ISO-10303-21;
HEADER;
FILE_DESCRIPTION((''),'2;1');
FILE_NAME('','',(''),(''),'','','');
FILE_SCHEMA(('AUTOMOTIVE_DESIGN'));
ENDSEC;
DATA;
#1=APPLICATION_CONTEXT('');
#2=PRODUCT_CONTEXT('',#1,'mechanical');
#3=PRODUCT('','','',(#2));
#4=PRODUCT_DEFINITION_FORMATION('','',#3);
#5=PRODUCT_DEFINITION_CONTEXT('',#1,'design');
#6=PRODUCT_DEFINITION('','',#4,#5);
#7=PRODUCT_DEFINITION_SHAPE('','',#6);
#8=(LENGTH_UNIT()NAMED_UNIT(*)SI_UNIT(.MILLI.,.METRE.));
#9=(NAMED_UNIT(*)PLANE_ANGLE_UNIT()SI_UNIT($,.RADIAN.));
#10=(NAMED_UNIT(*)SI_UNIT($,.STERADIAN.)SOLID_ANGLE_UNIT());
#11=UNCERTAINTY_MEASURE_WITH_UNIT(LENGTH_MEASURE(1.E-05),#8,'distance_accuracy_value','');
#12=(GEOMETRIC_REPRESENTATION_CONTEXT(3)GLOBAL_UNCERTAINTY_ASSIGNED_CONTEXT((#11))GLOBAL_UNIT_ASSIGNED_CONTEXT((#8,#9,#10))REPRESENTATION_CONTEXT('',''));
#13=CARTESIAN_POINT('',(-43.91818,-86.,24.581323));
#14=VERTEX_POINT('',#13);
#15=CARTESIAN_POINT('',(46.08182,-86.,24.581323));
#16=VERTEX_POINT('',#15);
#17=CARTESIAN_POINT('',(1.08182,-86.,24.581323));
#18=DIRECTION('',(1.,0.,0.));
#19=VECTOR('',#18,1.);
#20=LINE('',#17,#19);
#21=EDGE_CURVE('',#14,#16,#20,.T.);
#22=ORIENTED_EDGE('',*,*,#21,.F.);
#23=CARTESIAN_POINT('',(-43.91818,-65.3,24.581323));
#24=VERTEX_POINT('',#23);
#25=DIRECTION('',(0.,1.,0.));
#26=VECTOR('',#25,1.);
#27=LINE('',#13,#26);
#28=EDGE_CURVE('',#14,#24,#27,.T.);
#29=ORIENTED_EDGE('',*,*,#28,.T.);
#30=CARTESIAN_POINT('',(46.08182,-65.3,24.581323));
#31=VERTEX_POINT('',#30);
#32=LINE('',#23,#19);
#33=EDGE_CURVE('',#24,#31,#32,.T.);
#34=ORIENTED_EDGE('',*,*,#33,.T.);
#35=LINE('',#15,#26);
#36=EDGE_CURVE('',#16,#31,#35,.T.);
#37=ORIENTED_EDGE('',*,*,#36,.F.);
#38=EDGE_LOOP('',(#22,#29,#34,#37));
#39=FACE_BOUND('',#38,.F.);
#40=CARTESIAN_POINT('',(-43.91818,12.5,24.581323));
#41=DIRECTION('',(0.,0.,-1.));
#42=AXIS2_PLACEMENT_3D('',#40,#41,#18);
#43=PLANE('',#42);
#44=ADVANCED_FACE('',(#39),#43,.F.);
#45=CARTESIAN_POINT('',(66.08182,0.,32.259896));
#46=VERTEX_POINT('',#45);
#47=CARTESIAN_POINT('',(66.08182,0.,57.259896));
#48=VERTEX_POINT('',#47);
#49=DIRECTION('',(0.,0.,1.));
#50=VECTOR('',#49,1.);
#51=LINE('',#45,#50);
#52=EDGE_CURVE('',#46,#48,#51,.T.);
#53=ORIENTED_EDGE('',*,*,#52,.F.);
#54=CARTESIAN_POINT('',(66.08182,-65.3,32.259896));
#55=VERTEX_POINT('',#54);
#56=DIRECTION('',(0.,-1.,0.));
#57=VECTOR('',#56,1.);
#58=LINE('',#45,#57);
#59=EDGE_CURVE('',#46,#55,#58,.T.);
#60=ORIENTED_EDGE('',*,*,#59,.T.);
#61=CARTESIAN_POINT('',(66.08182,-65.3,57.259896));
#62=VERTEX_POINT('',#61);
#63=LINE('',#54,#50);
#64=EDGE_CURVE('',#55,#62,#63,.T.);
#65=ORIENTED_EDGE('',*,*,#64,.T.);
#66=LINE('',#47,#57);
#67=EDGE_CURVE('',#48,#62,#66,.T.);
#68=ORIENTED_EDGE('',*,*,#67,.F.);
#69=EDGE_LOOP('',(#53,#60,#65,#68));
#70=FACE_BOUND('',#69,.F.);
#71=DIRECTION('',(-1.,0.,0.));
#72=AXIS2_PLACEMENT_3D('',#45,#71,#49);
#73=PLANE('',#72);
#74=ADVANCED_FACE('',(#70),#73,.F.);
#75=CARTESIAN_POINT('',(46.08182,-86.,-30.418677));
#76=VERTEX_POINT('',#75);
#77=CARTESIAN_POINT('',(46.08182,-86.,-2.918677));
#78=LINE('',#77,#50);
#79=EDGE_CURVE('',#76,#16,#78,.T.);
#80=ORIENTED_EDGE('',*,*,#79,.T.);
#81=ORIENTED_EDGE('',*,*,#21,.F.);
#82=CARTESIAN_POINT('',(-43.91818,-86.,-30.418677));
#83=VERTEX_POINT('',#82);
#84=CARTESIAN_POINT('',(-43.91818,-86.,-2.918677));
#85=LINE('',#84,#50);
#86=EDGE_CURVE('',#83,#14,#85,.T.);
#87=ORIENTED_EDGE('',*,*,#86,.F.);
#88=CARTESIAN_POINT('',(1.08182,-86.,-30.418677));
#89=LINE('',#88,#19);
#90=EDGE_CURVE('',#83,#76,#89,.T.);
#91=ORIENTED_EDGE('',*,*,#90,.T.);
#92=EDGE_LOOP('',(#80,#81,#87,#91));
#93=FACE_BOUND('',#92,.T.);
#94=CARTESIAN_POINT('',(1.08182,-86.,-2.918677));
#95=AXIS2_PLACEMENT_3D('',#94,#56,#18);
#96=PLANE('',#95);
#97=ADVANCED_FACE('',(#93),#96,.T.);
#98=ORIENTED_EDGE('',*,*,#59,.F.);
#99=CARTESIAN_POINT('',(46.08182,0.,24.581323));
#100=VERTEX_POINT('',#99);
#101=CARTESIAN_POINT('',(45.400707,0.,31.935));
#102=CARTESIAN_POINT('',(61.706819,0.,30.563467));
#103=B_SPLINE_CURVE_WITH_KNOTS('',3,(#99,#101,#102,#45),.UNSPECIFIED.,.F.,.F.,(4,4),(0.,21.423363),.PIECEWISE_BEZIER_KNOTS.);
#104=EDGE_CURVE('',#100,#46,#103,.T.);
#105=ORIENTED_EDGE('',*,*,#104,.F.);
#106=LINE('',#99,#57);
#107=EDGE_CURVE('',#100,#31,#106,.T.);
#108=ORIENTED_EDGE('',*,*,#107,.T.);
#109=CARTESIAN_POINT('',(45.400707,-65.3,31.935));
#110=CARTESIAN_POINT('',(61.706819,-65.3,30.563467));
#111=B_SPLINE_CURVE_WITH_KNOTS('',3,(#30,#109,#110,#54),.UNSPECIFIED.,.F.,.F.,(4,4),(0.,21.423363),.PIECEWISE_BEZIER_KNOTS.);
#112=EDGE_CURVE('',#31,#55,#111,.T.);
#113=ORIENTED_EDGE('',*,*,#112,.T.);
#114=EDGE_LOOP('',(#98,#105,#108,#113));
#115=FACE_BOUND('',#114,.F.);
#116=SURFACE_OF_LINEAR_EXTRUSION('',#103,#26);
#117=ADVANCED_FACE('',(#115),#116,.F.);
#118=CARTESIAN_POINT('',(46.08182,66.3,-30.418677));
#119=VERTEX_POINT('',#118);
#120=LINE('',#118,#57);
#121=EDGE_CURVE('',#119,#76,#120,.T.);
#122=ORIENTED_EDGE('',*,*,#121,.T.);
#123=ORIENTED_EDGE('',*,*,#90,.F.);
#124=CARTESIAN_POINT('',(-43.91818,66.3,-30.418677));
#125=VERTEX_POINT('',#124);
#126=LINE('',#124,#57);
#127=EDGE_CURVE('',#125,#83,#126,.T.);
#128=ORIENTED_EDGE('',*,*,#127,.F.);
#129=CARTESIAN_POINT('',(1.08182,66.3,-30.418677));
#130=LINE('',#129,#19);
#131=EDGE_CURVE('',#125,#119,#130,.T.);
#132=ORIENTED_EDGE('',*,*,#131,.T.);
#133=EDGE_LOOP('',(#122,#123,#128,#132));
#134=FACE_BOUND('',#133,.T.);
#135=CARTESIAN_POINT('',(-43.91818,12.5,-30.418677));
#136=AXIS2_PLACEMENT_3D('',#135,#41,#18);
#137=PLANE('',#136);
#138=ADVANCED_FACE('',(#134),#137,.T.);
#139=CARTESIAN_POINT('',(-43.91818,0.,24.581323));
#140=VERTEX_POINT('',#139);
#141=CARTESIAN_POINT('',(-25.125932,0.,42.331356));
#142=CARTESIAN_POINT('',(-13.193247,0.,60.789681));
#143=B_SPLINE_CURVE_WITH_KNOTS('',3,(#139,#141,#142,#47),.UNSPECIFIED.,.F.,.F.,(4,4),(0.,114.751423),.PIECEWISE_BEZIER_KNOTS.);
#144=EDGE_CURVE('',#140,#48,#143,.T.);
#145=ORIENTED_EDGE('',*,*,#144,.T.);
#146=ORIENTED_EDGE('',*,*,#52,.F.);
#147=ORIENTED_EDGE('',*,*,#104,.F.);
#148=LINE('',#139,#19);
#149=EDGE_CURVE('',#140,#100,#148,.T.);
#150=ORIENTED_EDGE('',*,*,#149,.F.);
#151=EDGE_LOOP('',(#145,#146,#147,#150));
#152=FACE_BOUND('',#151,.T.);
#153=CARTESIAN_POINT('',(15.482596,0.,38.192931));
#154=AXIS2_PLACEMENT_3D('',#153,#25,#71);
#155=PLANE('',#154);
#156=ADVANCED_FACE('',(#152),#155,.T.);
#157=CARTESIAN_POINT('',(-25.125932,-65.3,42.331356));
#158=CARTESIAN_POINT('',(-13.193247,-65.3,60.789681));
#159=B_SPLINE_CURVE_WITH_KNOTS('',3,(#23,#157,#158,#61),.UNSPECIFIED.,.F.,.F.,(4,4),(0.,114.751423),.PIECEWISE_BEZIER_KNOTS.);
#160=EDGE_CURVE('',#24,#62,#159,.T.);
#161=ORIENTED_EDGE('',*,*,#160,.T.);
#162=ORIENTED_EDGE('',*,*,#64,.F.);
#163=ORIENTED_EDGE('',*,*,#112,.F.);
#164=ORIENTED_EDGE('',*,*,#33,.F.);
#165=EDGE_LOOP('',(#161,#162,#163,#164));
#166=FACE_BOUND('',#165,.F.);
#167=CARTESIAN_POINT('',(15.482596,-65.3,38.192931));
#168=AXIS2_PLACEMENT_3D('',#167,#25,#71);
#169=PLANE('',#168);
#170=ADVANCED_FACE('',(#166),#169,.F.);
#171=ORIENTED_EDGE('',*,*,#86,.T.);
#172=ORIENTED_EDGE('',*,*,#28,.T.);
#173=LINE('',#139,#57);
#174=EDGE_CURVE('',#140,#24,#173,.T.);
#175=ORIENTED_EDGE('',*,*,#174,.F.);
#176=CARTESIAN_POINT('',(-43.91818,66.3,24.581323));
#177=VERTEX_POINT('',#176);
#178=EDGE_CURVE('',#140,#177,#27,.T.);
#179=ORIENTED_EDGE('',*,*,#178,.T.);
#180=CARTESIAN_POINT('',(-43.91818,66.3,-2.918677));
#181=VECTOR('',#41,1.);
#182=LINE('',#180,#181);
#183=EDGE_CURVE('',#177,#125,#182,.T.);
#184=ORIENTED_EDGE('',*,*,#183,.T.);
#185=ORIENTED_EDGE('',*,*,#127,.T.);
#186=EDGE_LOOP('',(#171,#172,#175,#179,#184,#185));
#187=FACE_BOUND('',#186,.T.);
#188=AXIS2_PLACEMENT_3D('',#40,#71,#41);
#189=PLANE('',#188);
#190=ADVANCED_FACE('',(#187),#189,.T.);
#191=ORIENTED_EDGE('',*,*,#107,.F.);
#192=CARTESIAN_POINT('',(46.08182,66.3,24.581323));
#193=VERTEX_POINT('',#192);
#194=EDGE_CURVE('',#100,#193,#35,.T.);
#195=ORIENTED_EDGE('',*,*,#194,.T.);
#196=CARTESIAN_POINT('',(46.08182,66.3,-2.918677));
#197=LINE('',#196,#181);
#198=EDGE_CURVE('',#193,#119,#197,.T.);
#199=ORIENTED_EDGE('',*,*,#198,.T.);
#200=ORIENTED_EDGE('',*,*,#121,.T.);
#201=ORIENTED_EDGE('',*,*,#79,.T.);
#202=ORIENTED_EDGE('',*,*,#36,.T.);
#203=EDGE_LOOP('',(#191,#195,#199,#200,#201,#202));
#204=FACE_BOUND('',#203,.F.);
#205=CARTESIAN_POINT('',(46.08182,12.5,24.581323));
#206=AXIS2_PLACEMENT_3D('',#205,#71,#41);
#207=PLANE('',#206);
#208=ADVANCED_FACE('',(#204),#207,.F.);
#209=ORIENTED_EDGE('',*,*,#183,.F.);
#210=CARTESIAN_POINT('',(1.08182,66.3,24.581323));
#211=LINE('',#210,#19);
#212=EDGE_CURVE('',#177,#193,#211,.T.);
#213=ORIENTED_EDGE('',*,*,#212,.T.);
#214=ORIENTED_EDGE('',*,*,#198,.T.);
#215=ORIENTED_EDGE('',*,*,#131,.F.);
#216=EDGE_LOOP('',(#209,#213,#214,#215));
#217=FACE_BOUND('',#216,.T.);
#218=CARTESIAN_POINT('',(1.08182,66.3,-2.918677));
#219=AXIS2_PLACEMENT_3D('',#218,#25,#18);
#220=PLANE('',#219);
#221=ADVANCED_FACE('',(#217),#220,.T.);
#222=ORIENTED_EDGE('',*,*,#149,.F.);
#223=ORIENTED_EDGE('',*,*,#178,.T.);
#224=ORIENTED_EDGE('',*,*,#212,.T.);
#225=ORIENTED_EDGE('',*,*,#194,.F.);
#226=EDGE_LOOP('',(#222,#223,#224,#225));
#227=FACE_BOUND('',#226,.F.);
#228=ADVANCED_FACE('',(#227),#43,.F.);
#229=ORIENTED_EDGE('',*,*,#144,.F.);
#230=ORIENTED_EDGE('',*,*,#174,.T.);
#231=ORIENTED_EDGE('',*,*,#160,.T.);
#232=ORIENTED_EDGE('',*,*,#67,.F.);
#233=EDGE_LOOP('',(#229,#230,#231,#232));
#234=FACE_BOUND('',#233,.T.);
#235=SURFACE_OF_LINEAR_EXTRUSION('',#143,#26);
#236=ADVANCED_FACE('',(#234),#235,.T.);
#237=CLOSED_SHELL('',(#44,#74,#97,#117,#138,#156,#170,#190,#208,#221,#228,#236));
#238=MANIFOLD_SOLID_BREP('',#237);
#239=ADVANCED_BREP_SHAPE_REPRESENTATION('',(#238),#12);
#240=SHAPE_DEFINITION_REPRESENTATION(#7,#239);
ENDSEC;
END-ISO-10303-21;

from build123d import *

# Parameters (mm, degrees)
F0_W      = 90
F0_H      = 55
F1_DEPTH  = 86
F2_DEPTH  = 12.5
F2_FACE_W = 90
F2_FACE_H = 55
F3_DEPTH  = 53.8
F4_DEPTH  = 65.3


with BuildPart() as f1:
    # F0 (on Front) → F1 (new body)
    with BuildSketch(Plane.XZ):
        with Locations((1.08182, -2.918677)):
            Rectangle(F0_W, F0_H)
    extrude(amount=F1_DEPTH)

    # F0 (on Front) → F2 (join, symmetric)
    with BuildSketch(Plane.XZ):
        with Locations((1.08182, -2.918677)):
            Rectangle(F0_W, F0_H)
    extrude(amount=F2_DEPTH, both=True)

    # F2_face (on face) → F3 (join)
    with BuildSketch(Plane(origin=(1.08182, 12.5, -2.918677), x_dir=(1, 0, 0), z_dir=(0, 1, 0))):
        Rectangle(F2_FACE_W, F2_FACE_H)
    extrude(amount=F3_DEPTH)

    # F0 (on Front) → F4 (join)
    with BuildSketch(Plane.XZ):
        with BuildLine():
            add(Edge.make_bspline(
                [(-43.91818, 24.581323), (-25.125932, 42.331356), (-13.193247, 60.789681), (66.08182, 57.259896)],
                knots=[0, 0, 0, 0, 114.751423, 114.751423, 114.751423, 114.751423], degree=3))
            Line((-43.91818, 24.581323), (46.08182, 24.581323))
            add(Edge.make_bspline(
                [(46.08182, 24.581323), (45.400707, 31.935), (61.706819, 30.563467), (66.08182, 32.259896)],
                knots=[0, 0, 0, 0, 21.423363, 21.423363, 21.423363, 21.423363], degree=3))
            Line((66.08182, 32.259896), (66.08182, 57.259896))
        make_face()
    extrude(amount=F4_DEPTH)


solid = f1.part
